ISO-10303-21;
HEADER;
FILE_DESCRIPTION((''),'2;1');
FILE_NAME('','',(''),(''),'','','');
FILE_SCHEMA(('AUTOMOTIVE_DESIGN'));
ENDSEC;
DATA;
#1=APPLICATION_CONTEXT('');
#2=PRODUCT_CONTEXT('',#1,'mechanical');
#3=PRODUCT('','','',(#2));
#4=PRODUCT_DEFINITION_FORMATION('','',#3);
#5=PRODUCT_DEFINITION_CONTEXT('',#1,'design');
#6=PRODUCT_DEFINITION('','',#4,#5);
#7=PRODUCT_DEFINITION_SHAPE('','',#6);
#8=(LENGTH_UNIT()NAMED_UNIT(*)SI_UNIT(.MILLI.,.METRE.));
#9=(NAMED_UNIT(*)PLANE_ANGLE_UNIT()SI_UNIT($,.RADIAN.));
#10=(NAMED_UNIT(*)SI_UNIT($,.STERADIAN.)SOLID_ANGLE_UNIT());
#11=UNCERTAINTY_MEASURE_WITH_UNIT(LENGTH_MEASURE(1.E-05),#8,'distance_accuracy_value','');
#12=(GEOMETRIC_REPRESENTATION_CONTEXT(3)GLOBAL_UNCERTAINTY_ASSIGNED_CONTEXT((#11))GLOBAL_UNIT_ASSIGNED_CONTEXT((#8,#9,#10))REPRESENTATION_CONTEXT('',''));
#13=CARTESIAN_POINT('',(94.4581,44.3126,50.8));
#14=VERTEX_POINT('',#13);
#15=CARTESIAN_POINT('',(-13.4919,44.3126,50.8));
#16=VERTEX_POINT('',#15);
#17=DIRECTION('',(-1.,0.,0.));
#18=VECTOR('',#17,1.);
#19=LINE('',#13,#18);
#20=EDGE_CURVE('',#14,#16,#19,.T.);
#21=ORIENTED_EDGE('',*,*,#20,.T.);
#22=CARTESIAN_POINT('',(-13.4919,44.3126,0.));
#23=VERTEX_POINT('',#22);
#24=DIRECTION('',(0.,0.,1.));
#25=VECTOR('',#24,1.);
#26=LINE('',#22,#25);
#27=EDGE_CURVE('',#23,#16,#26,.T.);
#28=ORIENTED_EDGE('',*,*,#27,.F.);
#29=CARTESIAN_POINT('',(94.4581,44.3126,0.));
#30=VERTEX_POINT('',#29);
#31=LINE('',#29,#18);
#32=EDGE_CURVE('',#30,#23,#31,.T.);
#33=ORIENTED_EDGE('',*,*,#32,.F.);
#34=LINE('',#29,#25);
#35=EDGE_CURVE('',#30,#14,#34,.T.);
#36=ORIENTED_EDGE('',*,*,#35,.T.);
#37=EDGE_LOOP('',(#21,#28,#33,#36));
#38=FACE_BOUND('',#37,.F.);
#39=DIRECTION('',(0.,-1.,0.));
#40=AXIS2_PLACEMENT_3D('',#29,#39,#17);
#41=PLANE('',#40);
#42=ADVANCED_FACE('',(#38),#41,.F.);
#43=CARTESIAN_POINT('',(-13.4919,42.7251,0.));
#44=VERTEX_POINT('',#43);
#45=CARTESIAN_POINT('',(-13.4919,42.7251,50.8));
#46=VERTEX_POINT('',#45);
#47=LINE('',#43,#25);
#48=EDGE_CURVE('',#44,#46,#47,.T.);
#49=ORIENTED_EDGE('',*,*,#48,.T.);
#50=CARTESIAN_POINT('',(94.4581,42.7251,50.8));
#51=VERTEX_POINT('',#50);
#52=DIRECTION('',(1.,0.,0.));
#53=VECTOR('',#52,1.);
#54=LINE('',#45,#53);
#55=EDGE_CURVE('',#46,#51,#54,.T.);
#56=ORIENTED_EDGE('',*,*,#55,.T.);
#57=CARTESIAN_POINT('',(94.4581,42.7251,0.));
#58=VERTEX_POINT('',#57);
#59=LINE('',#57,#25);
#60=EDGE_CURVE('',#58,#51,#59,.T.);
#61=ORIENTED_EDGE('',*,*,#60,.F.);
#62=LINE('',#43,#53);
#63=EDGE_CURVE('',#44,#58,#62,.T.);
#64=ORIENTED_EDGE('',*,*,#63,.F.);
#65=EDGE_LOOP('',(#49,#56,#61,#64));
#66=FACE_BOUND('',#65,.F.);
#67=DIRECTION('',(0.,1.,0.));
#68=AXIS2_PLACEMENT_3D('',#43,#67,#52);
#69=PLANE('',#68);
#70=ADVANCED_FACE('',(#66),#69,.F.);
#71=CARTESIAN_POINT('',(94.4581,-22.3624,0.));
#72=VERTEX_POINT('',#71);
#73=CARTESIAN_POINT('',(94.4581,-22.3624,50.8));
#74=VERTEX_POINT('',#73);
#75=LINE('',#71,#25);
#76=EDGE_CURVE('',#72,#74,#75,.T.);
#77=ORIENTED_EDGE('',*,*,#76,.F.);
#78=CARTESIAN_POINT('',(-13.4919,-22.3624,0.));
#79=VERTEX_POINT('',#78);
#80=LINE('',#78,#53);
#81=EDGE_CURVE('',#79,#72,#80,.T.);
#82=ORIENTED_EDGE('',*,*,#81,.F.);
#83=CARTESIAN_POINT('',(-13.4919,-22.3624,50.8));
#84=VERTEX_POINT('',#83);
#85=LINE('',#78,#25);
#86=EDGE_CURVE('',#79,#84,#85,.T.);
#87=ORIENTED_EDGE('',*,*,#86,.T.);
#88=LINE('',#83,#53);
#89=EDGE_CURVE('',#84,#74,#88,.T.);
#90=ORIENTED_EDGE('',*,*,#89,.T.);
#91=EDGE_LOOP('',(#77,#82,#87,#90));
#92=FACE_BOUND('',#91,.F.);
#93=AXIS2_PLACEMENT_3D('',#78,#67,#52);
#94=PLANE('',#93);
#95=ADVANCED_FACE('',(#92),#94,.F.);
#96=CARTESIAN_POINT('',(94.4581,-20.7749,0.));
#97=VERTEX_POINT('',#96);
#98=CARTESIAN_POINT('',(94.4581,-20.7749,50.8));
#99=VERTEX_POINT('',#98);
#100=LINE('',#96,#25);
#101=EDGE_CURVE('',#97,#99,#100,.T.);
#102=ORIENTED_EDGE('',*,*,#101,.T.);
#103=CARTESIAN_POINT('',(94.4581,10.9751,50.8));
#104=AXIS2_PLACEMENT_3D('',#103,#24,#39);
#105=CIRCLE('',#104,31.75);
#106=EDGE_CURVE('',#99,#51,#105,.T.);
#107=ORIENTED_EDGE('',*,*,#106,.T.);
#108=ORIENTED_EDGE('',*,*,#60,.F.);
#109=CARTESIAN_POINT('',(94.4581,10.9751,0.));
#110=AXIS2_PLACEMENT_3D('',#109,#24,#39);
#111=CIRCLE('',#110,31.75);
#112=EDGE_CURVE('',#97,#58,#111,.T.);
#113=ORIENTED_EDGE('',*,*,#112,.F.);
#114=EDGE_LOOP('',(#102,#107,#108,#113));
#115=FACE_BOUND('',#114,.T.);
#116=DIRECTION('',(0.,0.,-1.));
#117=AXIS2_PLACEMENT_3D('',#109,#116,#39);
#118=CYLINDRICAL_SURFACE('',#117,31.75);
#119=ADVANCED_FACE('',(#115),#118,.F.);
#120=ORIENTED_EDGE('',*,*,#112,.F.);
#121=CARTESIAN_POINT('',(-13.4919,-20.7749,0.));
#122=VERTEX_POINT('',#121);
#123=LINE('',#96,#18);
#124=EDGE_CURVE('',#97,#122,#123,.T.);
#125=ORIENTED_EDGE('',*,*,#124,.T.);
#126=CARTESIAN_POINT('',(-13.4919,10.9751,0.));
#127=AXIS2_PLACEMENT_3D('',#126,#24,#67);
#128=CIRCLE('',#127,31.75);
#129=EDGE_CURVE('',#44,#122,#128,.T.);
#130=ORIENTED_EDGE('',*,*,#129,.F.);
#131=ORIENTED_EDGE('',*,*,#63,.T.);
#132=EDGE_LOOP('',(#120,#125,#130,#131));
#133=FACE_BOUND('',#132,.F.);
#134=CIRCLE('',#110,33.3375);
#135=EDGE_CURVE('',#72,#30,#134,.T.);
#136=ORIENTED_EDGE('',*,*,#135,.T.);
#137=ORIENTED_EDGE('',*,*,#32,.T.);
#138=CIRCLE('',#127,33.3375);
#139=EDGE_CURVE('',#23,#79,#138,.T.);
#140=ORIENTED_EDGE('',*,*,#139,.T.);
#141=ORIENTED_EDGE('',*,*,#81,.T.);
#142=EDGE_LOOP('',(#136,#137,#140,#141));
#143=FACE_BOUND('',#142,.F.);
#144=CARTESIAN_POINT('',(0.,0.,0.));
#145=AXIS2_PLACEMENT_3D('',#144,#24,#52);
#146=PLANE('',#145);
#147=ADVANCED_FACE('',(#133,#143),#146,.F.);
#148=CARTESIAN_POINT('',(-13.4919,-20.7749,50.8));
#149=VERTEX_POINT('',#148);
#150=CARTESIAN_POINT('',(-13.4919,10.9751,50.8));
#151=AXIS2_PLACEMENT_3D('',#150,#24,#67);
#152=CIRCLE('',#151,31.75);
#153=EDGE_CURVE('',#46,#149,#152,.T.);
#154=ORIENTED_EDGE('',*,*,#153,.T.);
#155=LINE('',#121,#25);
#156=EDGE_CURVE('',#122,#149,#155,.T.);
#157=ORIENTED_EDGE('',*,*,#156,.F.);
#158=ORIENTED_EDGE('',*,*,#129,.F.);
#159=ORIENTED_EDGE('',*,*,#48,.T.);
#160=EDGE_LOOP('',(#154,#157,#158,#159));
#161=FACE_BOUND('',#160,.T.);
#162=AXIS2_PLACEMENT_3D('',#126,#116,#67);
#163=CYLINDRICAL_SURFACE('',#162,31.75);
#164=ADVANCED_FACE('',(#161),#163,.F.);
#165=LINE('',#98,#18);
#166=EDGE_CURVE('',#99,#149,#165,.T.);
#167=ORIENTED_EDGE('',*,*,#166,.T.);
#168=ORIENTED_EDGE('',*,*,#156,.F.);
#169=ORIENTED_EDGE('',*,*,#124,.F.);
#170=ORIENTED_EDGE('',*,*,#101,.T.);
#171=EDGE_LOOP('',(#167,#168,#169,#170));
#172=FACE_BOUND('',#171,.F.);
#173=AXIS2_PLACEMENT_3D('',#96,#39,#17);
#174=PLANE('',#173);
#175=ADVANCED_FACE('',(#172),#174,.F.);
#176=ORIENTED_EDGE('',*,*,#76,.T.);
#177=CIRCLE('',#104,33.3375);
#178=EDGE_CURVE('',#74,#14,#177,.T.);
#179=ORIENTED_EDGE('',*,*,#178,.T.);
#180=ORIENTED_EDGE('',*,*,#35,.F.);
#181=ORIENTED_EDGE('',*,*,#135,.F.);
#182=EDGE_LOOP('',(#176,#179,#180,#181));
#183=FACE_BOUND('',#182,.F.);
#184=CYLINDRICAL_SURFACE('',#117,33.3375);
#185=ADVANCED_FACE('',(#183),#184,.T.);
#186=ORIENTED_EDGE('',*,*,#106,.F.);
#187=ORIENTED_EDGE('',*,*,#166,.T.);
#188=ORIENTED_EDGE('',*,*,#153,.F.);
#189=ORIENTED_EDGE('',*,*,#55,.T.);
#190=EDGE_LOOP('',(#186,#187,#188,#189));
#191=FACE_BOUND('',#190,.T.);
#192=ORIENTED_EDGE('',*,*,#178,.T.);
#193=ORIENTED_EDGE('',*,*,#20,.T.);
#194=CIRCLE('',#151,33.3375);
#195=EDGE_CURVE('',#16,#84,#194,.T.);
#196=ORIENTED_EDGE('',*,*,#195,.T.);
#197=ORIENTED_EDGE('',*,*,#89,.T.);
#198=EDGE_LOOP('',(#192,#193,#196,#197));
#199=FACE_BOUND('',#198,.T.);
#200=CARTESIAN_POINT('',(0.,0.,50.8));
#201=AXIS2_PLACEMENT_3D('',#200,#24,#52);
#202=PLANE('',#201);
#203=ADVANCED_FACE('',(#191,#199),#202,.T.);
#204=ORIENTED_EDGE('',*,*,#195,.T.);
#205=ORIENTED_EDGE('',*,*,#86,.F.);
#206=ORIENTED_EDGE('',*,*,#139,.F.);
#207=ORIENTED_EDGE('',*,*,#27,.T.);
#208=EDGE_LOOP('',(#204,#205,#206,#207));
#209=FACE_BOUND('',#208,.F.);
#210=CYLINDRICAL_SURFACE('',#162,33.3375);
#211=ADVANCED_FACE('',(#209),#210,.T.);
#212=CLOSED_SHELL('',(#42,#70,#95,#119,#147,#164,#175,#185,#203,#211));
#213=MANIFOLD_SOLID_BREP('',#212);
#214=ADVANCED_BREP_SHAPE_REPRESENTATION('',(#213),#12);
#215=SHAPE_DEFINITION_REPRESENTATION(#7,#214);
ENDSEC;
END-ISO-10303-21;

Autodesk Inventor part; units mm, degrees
ref_plane "YZ Plane" through (0, 0, 0) normal (1, 0, 0) x (0, 1, 0)
ref_plane "XZ Plane" through (0, 0, 0) normal (0, 1, 0) x (-1, 0, 0)
ref_plane "XY Plane" through (0, 0, 0) normal (0, 0, 1) x (1, 0, 0)
sketch "Sketch1" plane through (0, 0, 0) normal (0, 0, 1) x (1, 0, 0)
  arc A0 (-13.4919, 42.7251) -> (-13.4919, -20.7749) centre (-13.4919, 10.9751) ccw
  arc A1 (94.4581, -20.7749) -> (94.4581, 42.7251) centre (94.4581, 10.9751) ccw
  line L0 (-13.4919, 42.7251) -> (94.4581, 42.7251)
  line L1 (94.4581, -20.7749) -> (-13.4919, -20.7749)
  line L2 (94.4581, 44.3126) -> (-13.4919, 44.3126)
  arc A2 (-13.4919, 44.3126) -> (-13.4919, -22.3624) centre (-13.4919, 10.9751) ccw
  line L3 (-13.4919, -22.3624) -> (94.4581, -22.3624)
  arc A3 (94.4581, -22.3624) -> (94.4581, 44.3126) centre (94.4581, 10.9751) ccw
  point P0 (0, 0)
  dimension "d2" = 31.75
  dimension "d3" = 107.95
  dimension "d4" = 1.5875
extrude "Extrusion1" add sketch "Sketch1" along normal blind 50.8
equation "\"d2\" = d1"
equation "\"d3\" = d0"
equation "\"d0\" = 107.95"
equation "\"d1\" = 31.75"
properties part number "Polyurethane Belt STOCK" material "Rubber"
